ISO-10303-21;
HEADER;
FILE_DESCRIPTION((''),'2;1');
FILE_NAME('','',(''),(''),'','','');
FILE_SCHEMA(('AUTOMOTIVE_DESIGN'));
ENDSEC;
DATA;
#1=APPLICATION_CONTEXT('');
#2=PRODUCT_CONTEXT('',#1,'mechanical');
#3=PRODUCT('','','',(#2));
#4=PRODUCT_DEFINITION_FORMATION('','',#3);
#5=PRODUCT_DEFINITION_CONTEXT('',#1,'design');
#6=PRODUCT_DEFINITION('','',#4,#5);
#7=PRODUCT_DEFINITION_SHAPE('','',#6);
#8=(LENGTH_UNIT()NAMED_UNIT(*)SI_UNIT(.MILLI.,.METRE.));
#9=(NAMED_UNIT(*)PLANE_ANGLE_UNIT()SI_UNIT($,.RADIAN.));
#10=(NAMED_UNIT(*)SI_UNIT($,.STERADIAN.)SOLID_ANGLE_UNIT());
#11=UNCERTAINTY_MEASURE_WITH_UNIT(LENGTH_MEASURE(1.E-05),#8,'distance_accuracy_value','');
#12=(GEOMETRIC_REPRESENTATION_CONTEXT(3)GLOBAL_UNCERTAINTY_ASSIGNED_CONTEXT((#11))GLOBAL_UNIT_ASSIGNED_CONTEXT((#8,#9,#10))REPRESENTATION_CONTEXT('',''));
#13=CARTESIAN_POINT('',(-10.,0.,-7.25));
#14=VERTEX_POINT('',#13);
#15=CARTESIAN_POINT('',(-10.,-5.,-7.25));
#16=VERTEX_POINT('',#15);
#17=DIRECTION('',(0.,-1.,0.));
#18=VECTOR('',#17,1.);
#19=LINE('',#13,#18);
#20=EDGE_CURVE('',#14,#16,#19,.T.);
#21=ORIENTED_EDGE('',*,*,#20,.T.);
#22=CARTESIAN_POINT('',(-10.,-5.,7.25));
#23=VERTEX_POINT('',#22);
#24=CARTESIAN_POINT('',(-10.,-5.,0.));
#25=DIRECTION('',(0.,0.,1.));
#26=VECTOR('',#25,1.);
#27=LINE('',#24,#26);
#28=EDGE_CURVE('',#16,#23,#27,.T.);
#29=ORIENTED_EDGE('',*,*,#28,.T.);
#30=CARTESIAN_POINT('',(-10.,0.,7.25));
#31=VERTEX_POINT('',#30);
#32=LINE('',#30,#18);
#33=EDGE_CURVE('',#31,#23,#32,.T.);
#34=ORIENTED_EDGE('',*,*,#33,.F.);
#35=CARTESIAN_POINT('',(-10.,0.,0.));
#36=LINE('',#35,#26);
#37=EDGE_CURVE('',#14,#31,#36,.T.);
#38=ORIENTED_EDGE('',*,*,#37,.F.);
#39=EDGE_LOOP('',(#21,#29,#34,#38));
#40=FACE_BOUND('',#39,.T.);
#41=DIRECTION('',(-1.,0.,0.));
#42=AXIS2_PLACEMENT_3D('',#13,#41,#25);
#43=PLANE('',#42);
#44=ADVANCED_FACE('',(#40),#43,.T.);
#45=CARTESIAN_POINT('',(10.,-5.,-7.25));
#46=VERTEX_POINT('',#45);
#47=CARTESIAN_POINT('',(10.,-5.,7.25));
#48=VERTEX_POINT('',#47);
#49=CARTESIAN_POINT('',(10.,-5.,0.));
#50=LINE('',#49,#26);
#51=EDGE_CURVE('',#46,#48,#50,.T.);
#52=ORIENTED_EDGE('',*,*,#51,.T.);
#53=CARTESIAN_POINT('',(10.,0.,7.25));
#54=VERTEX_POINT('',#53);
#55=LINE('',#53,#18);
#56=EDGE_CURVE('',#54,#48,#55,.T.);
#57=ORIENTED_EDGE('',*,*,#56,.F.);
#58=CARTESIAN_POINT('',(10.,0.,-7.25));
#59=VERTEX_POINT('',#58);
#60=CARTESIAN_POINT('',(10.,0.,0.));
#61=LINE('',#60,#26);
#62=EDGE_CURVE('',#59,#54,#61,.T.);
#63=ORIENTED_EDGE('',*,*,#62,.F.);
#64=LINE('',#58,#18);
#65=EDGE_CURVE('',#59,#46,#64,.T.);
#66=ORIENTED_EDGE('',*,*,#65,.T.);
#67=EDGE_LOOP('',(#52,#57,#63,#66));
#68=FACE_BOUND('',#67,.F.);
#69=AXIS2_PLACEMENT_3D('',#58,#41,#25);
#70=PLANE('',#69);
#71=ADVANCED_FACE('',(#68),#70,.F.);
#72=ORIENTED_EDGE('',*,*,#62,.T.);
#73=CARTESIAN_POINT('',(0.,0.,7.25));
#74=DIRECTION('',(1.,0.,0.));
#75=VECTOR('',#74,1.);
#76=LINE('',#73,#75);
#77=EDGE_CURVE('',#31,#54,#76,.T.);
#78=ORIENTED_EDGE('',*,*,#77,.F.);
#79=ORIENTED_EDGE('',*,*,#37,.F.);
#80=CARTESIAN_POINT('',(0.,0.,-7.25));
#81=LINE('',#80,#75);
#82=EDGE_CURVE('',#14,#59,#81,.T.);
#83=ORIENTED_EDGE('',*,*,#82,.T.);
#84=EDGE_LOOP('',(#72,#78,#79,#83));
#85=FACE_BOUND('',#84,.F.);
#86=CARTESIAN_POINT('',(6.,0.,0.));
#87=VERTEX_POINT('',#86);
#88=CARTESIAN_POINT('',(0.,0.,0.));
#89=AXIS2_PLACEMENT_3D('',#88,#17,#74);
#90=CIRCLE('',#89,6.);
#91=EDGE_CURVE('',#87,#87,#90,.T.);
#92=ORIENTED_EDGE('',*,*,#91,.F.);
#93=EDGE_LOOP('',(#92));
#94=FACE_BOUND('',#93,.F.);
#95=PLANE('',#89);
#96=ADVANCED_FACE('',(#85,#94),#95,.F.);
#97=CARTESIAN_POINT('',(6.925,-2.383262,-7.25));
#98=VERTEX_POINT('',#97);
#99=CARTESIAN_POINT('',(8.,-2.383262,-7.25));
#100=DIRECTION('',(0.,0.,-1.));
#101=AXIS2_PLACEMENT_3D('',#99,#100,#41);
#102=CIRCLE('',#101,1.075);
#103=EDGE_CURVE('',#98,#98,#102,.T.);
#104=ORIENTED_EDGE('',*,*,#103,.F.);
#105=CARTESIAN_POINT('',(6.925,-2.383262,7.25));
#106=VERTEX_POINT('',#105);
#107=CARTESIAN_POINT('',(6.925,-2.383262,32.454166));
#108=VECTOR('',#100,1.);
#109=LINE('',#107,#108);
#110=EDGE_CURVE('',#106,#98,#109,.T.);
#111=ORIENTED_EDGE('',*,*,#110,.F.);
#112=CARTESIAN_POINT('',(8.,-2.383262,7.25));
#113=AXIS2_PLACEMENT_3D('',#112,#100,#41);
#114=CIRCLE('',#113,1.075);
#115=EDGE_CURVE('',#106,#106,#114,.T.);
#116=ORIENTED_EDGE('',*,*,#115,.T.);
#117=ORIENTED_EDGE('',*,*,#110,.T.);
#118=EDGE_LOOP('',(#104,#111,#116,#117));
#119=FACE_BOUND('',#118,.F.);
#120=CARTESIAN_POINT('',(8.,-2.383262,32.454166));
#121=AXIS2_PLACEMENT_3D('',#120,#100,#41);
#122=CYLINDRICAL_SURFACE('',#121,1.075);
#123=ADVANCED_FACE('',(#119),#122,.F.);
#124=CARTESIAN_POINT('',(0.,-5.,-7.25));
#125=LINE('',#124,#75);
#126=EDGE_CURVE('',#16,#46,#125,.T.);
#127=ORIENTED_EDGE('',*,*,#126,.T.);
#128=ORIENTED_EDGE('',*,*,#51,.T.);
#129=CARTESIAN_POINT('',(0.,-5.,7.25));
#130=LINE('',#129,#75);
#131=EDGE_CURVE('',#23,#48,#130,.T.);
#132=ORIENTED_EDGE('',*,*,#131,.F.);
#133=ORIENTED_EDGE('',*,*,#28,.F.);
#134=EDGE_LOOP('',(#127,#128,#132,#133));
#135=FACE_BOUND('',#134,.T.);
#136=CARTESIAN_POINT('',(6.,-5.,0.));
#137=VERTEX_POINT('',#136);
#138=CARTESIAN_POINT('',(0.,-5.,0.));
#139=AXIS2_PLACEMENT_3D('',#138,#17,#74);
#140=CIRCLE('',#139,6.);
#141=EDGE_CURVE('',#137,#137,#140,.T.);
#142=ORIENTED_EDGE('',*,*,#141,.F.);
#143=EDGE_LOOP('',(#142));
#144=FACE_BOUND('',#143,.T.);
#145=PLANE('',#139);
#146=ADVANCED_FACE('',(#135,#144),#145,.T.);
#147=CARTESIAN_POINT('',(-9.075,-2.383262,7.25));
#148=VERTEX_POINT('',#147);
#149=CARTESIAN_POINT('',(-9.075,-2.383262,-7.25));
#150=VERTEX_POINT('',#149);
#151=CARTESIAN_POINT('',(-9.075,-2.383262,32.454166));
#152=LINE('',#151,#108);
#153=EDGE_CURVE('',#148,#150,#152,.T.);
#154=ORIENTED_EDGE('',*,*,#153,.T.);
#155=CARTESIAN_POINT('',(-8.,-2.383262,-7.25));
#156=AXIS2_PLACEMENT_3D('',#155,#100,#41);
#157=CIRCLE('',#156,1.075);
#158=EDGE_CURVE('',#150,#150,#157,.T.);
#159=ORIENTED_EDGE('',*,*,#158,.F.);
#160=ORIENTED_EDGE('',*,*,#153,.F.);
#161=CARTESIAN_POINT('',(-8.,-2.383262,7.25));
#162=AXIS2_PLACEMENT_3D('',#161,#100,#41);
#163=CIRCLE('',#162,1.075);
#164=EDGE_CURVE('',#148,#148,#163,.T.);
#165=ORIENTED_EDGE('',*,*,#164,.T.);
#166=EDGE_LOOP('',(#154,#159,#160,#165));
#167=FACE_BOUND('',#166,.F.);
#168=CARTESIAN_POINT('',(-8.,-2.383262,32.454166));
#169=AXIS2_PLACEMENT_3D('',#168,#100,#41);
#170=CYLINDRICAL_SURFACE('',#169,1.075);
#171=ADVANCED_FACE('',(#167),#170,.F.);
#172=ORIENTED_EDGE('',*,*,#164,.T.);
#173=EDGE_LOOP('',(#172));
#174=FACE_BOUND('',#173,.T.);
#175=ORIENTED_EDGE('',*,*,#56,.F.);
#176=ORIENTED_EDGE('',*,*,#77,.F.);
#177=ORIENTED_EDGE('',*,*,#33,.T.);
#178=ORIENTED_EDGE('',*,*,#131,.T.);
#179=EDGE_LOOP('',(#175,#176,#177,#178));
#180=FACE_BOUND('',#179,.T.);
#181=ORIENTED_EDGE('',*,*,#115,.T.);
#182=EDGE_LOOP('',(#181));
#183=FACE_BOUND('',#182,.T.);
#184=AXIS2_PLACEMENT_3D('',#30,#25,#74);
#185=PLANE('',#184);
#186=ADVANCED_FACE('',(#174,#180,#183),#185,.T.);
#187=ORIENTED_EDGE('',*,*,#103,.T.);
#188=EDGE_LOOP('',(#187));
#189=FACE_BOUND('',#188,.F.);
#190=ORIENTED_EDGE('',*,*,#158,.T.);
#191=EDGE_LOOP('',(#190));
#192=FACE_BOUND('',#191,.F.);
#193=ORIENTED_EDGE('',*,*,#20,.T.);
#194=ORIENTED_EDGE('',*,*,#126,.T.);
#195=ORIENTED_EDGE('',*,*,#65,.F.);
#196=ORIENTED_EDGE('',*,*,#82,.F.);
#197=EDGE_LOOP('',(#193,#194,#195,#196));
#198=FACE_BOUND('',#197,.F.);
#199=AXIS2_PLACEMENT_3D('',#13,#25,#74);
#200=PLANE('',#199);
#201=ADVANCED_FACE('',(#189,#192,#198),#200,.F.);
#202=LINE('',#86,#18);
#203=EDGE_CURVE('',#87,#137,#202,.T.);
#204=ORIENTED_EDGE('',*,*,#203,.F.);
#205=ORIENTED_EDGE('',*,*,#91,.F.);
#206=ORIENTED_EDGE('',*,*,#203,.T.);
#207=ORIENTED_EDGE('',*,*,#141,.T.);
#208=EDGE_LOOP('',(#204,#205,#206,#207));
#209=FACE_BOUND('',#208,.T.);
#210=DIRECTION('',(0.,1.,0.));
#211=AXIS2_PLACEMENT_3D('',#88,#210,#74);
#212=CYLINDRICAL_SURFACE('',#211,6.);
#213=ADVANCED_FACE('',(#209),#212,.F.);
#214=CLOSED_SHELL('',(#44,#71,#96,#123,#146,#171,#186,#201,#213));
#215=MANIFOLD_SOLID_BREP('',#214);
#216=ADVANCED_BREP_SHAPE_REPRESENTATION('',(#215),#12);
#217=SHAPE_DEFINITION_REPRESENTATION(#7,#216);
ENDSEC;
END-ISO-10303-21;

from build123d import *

# Parameters (mm, degrees)
F0_W     = 20
F0_H     = 14.5
F0_R     = 6
F1_DEPTH = 5
F3_D     = 2.15


with BuildPart() as f1:
    # F0 (on Front) → F1 (new body)
    with BuildSketch(Plane.XZ):
        Rectangle(F0_W, F0_H)
        Circle(F0_R, mode=Mode.SUBTRACT)
    extrude(amount=F1_DEPTH)

    # F3 (through all)
    with Locations(Plane.XY.offset(7.25)):
        with Locations((8, -2.3832623847), (-8, -2.3832623847)):
            Hole(F3_D / 2)


solid = f1.part
